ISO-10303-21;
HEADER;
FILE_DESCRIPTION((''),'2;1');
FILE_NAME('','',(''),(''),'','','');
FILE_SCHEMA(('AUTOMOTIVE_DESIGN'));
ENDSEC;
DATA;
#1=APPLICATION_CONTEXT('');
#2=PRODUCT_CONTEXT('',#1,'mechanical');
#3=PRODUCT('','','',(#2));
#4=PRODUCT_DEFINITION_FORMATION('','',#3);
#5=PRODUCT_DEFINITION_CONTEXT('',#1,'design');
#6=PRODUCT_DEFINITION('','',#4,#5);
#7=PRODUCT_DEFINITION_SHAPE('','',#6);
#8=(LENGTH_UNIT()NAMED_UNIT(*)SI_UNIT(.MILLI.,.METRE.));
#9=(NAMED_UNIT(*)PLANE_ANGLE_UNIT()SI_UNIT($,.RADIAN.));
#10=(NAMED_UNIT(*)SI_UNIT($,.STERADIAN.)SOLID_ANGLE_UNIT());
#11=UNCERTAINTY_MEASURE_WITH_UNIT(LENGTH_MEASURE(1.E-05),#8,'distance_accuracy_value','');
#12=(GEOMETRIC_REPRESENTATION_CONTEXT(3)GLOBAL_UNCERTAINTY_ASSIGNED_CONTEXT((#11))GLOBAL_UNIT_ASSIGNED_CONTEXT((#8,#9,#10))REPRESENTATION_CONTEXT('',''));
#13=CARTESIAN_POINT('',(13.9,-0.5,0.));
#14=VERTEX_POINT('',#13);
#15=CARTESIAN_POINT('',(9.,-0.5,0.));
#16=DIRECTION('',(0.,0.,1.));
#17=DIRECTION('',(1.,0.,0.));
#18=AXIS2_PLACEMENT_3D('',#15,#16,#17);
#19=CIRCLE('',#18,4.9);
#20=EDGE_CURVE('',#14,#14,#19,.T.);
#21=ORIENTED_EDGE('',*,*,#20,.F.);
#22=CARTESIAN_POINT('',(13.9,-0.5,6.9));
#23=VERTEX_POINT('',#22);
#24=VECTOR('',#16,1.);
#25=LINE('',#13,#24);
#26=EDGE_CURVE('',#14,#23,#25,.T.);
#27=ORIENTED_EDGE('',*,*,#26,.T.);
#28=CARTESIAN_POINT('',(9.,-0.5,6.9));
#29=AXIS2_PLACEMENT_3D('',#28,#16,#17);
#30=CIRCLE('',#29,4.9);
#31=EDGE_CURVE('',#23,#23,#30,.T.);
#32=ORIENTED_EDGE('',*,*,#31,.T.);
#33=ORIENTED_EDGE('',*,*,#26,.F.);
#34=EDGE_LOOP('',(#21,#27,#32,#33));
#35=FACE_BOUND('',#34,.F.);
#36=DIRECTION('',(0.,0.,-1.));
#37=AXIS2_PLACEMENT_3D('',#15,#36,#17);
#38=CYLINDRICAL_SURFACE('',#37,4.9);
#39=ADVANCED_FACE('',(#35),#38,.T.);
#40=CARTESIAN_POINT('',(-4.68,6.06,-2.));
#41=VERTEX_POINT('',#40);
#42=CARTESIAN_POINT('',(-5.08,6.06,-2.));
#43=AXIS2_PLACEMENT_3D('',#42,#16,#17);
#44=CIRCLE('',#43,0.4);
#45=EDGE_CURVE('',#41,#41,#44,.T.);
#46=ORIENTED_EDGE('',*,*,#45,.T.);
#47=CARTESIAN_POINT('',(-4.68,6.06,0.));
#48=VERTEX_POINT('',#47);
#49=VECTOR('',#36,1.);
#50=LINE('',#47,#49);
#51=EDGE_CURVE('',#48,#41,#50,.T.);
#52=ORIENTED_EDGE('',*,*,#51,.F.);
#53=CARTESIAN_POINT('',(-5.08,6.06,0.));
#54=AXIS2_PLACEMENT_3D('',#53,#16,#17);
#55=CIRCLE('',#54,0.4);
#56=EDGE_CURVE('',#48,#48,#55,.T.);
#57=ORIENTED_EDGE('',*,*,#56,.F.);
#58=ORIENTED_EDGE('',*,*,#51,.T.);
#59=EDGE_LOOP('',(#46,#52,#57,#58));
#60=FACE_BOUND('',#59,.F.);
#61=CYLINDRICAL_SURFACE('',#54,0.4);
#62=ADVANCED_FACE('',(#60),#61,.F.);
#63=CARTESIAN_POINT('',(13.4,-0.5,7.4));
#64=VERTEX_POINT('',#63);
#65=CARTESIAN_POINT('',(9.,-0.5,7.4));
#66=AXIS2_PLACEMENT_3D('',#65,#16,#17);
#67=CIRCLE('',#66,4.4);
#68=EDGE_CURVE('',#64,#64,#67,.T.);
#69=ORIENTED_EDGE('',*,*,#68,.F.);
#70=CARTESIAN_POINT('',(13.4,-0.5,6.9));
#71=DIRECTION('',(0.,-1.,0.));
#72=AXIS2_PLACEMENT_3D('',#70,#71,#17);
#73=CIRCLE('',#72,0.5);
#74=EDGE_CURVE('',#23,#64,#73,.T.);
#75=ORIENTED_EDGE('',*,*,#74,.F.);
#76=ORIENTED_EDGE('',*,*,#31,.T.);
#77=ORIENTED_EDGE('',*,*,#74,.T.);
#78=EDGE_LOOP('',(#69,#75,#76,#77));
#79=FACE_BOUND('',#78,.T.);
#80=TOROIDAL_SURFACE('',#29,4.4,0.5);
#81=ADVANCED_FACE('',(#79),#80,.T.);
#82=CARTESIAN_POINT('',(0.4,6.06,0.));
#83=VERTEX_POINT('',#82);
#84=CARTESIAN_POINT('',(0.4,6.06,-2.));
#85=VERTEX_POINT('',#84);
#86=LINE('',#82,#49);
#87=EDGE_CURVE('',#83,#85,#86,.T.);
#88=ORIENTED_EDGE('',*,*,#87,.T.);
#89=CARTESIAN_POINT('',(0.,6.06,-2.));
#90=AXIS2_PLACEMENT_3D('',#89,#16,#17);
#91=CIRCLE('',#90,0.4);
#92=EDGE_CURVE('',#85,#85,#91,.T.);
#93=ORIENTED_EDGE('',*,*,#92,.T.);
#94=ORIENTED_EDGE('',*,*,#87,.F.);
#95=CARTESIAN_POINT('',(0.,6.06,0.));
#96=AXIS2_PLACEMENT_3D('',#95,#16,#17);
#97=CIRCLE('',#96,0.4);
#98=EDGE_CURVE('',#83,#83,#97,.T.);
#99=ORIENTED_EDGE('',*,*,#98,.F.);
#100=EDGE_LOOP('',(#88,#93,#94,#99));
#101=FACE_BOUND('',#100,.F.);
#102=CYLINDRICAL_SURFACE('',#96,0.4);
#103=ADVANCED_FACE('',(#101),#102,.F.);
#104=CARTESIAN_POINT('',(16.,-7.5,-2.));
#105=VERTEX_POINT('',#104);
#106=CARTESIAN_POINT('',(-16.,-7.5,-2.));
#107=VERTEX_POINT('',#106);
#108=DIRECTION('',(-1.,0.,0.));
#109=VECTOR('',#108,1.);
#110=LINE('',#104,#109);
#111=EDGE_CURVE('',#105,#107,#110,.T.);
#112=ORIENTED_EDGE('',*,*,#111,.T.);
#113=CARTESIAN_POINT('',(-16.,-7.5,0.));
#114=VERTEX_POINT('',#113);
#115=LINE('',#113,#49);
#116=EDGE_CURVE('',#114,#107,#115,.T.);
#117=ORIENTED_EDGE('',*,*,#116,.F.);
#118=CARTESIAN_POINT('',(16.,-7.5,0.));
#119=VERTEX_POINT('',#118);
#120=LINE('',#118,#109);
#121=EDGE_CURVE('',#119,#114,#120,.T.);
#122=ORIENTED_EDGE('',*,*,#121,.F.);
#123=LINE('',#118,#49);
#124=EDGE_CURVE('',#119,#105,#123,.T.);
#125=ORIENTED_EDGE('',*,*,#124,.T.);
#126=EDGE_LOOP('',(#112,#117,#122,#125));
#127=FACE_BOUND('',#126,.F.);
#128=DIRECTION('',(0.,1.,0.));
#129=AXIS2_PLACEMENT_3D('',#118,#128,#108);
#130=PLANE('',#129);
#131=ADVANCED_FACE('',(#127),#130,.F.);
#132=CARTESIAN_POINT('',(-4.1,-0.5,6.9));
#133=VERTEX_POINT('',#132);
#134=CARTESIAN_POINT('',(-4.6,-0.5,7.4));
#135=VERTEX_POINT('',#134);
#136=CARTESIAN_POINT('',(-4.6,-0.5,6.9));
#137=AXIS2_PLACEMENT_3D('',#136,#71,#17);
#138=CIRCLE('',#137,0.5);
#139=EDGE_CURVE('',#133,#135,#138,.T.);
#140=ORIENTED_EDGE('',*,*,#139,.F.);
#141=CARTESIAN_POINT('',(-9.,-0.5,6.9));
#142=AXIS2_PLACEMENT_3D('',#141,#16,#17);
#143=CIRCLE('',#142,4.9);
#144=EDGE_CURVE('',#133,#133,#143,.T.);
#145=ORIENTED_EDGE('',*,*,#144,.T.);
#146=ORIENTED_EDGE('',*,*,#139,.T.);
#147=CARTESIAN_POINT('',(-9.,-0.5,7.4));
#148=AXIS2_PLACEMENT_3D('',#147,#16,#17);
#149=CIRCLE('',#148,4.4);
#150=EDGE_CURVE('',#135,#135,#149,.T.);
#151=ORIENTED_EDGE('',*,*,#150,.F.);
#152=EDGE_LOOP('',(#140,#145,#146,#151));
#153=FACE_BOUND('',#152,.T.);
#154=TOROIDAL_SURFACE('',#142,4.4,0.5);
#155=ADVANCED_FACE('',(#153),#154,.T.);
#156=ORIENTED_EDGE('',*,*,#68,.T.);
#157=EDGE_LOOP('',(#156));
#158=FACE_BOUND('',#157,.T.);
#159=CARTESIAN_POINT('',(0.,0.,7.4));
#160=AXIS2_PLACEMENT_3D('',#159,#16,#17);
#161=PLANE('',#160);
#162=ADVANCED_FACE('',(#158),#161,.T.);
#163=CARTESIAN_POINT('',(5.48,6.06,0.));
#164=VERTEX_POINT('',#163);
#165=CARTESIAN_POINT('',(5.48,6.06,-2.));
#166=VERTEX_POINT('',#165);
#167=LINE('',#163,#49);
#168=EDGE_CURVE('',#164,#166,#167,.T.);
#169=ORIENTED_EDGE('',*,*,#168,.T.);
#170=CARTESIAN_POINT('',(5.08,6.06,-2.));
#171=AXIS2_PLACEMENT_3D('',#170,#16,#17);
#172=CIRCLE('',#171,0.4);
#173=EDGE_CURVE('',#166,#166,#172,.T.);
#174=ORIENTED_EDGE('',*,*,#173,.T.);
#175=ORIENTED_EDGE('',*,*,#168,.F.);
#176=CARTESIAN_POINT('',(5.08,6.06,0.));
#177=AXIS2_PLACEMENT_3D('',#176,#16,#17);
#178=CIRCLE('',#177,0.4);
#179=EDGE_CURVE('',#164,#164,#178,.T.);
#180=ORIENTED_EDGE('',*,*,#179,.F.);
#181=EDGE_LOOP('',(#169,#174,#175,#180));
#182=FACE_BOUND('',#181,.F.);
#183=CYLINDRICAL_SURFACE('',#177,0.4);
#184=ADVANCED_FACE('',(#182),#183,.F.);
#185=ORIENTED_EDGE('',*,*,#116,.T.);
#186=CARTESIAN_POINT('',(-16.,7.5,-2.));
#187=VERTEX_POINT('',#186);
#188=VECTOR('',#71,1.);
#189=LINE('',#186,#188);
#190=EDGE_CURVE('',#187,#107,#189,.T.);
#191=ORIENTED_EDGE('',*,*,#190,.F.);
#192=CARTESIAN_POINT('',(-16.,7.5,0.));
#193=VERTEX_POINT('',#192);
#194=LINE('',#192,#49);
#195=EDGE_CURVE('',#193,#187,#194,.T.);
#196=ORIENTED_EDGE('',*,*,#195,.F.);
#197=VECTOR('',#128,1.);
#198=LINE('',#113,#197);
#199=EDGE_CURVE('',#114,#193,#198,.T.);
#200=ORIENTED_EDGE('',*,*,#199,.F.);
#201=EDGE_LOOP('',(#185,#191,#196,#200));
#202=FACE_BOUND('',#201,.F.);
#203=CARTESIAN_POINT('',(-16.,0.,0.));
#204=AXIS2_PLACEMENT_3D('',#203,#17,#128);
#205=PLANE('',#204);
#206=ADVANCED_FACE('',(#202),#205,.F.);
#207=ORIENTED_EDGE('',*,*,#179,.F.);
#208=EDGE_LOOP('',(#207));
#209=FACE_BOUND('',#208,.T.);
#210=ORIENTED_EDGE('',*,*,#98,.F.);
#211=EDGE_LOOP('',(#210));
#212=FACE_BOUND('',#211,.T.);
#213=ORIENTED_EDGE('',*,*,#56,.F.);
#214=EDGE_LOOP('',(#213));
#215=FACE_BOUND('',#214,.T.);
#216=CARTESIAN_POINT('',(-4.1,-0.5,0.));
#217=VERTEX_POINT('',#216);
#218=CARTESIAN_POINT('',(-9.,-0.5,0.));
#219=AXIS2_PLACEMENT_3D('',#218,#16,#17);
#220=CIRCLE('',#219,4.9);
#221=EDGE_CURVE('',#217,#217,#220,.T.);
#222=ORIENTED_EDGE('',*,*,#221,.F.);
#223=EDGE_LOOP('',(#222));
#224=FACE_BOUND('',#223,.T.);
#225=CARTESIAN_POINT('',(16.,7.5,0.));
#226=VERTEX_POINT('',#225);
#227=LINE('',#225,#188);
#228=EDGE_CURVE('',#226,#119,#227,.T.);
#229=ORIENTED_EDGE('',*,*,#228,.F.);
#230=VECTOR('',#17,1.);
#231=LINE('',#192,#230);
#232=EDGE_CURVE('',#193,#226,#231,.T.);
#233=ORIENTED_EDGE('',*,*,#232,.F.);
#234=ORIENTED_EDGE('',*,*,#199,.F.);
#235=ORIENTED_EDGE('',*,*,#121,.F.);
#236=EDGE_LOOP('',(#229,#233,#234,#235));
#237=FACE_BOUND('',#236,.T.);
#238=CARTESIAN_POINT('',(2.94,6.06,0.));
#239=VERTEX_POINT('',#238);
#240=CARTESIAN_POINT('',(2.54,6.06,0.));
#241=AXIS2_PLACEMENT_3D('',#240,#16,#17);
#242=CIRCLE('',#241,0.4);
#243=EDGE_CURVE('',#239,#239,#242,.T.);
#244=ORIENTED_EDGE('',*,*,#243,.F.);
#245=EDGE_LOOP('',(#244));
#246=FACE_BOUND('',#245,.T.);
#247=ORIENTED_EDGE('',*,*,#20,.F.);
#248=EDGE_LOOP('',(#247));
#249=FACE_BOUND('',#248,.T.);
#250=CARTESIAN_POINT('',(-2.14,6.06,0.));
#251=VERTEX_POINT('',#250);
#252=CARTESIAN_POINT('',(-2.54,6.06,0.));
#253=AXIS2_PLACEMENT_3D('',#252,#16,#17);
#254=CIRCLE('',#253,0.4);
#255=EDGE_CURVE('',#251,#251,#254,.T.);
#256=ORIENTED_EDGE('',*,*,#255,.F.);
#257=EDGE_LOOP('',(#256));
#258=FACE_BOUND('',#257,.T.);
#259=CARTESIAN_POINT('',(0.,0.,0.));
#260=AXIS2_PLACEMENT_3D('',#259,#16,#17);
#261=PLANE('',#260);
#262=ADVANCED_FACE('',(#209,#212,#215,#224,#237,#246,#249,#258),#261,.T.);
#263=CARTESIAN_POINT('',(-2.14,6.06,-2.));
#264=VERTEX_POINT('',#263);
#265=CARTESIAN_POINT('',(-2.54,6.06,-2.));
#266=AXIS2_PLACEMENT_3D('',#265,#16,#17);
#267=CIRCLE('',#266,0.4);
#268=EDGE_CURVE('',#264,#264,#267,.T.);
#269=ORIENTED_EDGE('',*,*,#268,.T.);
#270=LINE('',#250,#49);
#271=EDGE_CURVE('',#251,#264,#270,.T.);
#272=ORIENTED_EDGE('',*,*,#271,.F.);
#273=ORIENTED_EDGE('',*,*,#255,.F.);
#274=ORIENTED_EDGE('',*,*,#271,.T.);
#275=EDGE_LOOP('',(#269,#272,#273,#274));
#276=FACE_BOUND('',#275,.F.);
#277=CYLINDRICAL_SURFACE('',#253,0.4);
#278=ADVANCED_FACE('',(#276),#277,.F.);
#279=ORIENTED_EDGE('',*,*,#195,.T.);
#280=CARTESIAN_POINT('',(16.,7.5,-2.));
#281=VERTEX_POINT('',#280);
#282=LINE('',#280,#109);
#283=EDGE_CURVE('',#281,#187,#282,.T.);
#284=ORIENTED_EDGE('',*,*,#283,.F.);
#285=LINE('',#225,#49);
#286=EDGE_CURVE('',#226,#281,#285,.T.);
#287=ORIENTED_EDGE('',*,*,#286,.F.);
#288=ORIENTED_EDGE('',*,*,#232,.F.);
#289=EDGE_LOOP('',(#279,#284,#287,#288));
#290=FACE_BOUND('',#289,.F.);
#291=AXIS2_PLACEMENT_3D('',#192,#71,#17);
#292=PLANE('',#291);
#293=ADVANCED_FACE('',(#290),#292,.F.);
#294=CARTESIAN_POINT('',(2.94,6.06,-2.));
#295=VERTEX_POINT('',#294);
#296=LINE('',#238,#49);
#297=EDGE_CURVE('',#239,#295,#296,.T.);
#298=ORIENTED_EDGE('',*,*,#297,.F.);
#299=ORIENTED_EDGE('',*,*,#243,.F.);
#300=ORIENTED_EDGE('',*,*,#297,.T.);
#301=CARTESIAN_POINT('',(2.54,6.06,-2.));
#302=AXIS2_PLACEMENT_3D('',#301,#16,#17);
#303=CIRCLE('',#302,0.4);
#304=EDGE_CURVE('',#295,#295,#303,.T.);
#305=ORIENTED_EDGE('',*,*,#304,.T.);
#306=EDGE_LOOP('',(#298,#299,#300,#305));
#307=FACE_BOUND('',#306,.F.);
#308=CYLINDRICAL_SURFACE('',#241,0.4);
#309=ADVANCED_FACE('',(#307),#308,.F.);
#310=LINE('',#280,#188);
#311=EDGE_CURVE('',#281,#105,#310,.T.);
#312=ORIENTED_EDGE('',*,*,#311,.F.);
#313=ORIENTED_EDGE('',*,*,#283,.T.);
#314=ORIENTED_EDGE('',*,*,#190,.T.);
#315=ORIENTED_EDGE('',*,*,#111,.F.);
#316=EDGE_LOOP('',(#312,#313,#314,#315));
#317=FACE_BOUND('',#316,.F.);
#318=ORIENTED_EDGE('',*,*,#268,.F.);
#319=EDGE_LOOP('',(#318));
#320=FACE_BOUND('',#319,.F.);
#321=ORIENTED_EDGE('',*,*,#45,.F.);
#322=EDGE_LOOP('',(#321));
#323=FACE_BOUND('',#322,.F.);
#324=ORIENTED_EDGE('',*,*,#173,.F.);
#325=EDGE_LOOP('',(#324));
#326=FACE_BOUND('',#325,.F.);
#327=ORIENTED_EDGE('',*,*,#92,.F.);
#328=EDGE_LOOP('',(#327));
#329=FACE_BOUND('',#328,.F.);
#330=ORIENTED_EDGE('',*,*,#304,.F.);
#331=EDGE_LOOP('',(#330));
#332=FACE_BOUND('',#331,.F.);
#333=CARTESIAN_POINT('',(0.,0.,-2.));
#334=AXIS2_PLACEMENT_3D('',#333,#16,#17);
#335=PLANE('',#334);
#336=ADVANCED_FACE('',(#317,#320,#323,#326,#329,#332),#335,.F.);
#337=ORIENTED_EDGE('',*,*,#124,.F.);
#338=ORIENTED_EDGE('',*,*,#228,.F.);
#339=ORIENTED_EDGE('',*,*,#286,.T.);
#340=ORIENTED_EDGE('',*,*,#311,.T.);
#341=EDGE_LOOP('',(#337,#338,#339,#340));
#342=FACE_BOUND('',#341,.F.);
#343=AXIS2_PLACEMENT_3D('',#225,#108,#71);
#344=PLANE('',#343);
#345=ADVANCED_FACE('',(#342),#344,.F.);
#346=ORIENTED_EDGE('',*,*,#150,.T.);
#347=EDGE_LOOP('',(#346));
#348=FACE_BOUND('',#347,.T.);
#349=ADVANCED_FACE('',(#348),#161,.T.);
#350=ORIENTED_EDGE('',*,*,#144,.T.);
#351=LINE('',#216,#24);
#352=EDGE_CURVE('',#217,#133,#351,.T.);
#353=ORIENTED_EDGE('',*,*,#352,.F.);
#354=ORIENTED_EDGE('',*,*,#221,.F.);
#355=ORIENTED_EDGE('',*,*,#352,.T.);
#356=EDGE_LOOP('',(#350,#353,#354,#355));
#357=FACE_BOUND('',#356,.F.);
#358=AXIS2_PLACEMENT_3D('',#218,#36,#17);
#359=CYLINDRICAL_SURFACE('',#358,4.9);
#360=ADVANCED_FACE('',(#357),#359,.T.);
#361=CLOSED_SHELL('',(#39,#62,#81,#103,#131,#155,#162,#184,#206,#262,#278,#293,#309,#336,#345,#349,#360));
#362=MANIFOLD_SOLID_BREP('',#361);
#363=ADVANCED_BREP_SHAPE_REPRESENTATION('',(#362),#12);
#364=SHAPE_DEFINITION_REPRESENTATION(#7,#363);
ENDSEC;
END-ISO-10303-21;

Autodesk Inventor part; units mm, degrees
ref_plane "YZ Plane" through (0, 0, 0) normal (1, 0, 0) x (0, 1, 0)
ref_plane "XZ Plane" through (0, 0, 0) normal (0, 1, 0) x (-1, 0, 0)
ref_plane "XY Plane" through (0, 0, 0) normal (0, 0, 1) x (1, 0, 0)
sketch "Sketch1" plane through (0, 0, 0) normal (0, 0, 1) x (1, 0, 0)
  line L0 (-16, 7.5) -> (16, 7.5)
  line L1 (16, 7.5) -> (16, -7.5)
  line L2 (16, -7.5) -> (-16, -7.5)
  line L3 (-16, -7.5) -> (-16, 7.5)
  line L4 (-16, 0) -> (-16, 7.5)
  line L5 (-16, 7.5) -> (0, 7.5)
  point P0 (0, 0)
  dimension "d0" = 32
  dimension "d1" = 15
extrude "Extrusion1" add sketch "Sketch1" against normal blind 2
sketch "Sketch2" plane through (0, 0, 0) normal (0, 0, 1) x (1, 0, 0)
  line L0 (-16, 7.5) -> (16, 7.5) projected
  line L1 (-16, -7.5) -> (-16, 7.5) projected
  line L2 (16, -7.5) -> (-16, -7.5) projected
  line L3 (16, 7.5) -> (16, -7.5) projected
  circle A0 centre (-9, -0.5) radius 4.9
  circle A1 centre (9, -0.5) radius 4.9
  circle A2 centre (0, 6.06) radius 0.4
  circle A3 centre (-2.54, 6.06) radius 0.4
  circle A4 centre (-5.08, 6.06) radius 0.4
  line L4 (0, 0) -> (0, 3) construction
  line L5 (0, 3) -> (0, 0) construction
  line L6 (16, 7.5) -> (-16, 7.5)
  circle A5 centre (2.54, 6.06) radius 0.4
  circle A6 centre (5.08, 6.06) radius 0.4
  point P0 (8.9861, 0.5)
  dimension "d8" = 9.8
  dimension "d11" = 32
  dimension "d12" = 15
  dimension "d16" = 8
  dimension "d17" = 9.8
  dimension "d19" = 9
  dimension "d20" = 9
  dimension "d24" = 0.8
  dimension "d25" = 1.44
  dimension "d26" = 0.8
  dimension "d27" = 2.54
  dimension "d28" = 0.8
  dimension "d29" = 2.54
extrude "Extrusion3" add sketch "Sketch2" along normal blind 7.4 contours A0 | A1
fillet "Fillet2" radius 0.5 2 edges at (-13.9, -0.5, 7.4) (4.1, -0.5, 7.4)
extrude "Extrusion4" cut sketch "Sketch2" against normal up to next contours A2 | A3 | A4 | A5 | A6
properties part number "srf10"
